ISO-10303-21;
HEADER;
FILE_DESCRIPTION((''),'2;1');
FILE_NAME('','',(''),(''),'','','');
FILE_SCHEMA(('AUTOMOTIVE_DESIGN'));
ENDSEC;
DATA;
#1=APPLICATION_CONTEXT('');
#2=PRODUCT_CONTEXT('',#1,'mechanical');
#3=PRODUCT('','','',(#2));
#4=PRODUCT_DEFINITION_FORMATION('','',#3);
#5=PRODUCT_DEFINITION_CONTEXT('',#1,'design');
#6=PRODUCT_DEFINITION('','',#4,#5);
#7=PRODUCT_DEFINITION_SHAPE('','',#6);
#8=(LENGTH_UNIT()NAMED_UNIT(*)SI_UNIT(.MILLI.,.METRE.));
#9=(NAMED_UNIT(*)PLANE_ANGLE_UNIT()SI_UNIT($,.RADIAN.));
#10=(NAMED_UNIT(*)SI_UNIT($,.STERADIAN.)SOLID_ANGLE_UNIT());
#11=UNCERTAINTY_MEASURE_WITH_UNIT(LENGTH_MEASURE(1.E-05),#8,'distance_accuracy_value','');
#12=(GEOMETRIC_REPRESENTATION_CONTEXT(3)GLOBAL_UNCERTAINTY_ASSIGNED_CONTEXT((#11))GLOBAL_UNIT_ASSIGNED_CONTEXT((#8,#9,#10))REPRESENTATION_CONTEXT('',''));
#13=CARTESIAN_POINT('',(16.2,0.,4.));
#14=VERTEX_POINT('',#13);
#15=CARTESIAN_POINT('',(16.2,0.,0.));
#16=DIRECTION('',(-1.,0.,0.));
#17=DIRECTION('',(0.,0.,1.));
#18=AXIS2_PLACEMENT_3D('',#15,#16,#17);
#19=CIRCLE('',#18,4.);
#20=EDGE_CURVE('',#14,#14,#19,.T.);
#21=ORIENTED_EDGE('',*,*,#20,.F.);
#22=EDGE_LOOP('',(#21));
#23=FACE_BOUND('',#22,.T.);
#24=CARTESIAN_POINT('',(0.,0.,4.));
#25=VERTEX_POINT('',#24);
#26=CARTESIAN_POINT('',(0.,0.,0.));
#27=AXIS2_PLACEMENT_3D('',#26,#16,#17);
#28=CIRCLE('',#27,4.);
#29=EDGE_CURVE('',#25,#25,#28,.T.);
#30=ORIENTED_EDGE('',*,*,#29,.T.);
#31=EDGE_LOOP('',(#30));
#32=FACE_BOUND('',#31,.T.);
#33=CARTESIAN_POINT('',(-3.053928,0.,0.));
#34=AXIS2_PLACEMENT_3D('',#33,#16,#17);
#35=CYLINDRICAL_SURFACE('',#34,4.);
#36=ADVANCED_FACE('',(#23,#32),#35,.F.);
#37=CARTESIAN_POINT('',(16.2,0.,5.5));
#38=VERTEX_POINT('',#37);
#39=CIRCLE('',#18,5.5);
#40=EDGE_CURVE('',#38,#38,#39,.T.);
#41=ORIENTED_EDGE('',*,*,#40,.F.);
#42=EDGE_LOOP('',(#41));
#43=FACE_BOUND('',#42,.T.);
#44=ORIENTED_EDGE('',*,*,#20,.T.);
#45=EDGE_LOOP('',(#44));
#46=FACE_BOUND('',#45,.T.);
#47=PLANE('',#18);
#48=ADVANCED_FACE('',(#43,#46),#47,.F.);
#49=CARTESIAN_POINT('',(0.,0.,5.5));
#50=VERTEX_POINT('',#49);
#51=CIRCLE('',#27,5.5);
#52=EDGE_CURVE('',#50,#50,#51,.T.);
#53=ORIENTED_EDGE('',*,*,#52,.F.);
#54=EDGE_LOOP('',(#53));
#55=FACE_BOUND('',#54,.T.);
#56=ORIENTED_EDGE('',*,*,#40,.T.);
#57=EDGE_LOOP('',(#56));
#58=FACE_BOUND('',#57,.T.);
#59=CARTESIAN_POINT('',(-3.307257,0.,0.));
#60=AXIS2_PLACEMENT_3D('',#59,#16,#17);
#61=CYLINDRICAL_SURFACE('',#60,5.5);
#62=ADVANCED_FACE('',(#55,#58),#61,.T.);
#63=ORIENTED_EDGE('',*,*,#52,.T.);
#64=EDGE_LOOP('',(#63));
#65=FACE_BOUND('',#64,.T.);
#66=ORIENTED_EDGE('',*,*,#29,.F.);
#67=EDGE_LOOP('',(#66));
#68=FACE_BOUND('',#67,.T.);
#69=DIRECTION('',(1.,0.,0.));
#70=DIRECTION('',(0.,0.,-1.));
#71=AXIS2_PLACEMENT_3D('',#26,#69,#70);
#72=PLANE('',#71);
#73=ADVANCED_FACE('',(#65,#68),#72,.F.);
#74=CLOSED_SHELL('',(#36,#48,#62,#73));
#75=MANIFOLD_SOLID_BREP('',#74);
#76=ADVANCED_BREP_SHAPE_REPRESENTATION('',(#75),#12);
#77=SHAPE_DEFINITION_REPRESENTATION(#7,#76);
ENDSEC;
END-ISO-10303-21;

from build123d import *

# Parameters (mm, degrees)
SKETCH1_W = 16.2
SKETCH1_H = 5.5
SKETCH2_W = 16.2
SKETCH2_H = 4


with BuildPart() as part:
    # Sketch1 → Revolve1 (revolve)
    with BuildSketch(Plane.XY, mode=Mode.PRIVATE) as revolve1_sk:
        with Locations((8.1, 2.75)):
            Rectangle(SKETCH1_W, SKETCH1_H)
    revolve(revolve1_sk.sketch.rotate(Axis((-3.30725722, 0, 0), (1, 0, 0)), 90), axis=Axis((-3.30725722, 0, 0), (1, 0, 0)))

    # Sketch2 → Cut-Revolve1 (revolve, cut)
    with BuildSketch(Plane.XY, mode=Mode.PRIVATE) as cut_revolve1_sk:
        with Locations((8.1, 2)):
            Rectangle(SKETCH2_W, SKETCH2_H)
    revolve(cut_revolve1_sk.sketch.rotate(Axis((-3.053927559, 0, 0), (1, 0, 0)), 90), axis=Axis((-3.053927559, 0, 0), (1, 0, 0)), mode=Mode.SUBTRACT)


solid = part.part
